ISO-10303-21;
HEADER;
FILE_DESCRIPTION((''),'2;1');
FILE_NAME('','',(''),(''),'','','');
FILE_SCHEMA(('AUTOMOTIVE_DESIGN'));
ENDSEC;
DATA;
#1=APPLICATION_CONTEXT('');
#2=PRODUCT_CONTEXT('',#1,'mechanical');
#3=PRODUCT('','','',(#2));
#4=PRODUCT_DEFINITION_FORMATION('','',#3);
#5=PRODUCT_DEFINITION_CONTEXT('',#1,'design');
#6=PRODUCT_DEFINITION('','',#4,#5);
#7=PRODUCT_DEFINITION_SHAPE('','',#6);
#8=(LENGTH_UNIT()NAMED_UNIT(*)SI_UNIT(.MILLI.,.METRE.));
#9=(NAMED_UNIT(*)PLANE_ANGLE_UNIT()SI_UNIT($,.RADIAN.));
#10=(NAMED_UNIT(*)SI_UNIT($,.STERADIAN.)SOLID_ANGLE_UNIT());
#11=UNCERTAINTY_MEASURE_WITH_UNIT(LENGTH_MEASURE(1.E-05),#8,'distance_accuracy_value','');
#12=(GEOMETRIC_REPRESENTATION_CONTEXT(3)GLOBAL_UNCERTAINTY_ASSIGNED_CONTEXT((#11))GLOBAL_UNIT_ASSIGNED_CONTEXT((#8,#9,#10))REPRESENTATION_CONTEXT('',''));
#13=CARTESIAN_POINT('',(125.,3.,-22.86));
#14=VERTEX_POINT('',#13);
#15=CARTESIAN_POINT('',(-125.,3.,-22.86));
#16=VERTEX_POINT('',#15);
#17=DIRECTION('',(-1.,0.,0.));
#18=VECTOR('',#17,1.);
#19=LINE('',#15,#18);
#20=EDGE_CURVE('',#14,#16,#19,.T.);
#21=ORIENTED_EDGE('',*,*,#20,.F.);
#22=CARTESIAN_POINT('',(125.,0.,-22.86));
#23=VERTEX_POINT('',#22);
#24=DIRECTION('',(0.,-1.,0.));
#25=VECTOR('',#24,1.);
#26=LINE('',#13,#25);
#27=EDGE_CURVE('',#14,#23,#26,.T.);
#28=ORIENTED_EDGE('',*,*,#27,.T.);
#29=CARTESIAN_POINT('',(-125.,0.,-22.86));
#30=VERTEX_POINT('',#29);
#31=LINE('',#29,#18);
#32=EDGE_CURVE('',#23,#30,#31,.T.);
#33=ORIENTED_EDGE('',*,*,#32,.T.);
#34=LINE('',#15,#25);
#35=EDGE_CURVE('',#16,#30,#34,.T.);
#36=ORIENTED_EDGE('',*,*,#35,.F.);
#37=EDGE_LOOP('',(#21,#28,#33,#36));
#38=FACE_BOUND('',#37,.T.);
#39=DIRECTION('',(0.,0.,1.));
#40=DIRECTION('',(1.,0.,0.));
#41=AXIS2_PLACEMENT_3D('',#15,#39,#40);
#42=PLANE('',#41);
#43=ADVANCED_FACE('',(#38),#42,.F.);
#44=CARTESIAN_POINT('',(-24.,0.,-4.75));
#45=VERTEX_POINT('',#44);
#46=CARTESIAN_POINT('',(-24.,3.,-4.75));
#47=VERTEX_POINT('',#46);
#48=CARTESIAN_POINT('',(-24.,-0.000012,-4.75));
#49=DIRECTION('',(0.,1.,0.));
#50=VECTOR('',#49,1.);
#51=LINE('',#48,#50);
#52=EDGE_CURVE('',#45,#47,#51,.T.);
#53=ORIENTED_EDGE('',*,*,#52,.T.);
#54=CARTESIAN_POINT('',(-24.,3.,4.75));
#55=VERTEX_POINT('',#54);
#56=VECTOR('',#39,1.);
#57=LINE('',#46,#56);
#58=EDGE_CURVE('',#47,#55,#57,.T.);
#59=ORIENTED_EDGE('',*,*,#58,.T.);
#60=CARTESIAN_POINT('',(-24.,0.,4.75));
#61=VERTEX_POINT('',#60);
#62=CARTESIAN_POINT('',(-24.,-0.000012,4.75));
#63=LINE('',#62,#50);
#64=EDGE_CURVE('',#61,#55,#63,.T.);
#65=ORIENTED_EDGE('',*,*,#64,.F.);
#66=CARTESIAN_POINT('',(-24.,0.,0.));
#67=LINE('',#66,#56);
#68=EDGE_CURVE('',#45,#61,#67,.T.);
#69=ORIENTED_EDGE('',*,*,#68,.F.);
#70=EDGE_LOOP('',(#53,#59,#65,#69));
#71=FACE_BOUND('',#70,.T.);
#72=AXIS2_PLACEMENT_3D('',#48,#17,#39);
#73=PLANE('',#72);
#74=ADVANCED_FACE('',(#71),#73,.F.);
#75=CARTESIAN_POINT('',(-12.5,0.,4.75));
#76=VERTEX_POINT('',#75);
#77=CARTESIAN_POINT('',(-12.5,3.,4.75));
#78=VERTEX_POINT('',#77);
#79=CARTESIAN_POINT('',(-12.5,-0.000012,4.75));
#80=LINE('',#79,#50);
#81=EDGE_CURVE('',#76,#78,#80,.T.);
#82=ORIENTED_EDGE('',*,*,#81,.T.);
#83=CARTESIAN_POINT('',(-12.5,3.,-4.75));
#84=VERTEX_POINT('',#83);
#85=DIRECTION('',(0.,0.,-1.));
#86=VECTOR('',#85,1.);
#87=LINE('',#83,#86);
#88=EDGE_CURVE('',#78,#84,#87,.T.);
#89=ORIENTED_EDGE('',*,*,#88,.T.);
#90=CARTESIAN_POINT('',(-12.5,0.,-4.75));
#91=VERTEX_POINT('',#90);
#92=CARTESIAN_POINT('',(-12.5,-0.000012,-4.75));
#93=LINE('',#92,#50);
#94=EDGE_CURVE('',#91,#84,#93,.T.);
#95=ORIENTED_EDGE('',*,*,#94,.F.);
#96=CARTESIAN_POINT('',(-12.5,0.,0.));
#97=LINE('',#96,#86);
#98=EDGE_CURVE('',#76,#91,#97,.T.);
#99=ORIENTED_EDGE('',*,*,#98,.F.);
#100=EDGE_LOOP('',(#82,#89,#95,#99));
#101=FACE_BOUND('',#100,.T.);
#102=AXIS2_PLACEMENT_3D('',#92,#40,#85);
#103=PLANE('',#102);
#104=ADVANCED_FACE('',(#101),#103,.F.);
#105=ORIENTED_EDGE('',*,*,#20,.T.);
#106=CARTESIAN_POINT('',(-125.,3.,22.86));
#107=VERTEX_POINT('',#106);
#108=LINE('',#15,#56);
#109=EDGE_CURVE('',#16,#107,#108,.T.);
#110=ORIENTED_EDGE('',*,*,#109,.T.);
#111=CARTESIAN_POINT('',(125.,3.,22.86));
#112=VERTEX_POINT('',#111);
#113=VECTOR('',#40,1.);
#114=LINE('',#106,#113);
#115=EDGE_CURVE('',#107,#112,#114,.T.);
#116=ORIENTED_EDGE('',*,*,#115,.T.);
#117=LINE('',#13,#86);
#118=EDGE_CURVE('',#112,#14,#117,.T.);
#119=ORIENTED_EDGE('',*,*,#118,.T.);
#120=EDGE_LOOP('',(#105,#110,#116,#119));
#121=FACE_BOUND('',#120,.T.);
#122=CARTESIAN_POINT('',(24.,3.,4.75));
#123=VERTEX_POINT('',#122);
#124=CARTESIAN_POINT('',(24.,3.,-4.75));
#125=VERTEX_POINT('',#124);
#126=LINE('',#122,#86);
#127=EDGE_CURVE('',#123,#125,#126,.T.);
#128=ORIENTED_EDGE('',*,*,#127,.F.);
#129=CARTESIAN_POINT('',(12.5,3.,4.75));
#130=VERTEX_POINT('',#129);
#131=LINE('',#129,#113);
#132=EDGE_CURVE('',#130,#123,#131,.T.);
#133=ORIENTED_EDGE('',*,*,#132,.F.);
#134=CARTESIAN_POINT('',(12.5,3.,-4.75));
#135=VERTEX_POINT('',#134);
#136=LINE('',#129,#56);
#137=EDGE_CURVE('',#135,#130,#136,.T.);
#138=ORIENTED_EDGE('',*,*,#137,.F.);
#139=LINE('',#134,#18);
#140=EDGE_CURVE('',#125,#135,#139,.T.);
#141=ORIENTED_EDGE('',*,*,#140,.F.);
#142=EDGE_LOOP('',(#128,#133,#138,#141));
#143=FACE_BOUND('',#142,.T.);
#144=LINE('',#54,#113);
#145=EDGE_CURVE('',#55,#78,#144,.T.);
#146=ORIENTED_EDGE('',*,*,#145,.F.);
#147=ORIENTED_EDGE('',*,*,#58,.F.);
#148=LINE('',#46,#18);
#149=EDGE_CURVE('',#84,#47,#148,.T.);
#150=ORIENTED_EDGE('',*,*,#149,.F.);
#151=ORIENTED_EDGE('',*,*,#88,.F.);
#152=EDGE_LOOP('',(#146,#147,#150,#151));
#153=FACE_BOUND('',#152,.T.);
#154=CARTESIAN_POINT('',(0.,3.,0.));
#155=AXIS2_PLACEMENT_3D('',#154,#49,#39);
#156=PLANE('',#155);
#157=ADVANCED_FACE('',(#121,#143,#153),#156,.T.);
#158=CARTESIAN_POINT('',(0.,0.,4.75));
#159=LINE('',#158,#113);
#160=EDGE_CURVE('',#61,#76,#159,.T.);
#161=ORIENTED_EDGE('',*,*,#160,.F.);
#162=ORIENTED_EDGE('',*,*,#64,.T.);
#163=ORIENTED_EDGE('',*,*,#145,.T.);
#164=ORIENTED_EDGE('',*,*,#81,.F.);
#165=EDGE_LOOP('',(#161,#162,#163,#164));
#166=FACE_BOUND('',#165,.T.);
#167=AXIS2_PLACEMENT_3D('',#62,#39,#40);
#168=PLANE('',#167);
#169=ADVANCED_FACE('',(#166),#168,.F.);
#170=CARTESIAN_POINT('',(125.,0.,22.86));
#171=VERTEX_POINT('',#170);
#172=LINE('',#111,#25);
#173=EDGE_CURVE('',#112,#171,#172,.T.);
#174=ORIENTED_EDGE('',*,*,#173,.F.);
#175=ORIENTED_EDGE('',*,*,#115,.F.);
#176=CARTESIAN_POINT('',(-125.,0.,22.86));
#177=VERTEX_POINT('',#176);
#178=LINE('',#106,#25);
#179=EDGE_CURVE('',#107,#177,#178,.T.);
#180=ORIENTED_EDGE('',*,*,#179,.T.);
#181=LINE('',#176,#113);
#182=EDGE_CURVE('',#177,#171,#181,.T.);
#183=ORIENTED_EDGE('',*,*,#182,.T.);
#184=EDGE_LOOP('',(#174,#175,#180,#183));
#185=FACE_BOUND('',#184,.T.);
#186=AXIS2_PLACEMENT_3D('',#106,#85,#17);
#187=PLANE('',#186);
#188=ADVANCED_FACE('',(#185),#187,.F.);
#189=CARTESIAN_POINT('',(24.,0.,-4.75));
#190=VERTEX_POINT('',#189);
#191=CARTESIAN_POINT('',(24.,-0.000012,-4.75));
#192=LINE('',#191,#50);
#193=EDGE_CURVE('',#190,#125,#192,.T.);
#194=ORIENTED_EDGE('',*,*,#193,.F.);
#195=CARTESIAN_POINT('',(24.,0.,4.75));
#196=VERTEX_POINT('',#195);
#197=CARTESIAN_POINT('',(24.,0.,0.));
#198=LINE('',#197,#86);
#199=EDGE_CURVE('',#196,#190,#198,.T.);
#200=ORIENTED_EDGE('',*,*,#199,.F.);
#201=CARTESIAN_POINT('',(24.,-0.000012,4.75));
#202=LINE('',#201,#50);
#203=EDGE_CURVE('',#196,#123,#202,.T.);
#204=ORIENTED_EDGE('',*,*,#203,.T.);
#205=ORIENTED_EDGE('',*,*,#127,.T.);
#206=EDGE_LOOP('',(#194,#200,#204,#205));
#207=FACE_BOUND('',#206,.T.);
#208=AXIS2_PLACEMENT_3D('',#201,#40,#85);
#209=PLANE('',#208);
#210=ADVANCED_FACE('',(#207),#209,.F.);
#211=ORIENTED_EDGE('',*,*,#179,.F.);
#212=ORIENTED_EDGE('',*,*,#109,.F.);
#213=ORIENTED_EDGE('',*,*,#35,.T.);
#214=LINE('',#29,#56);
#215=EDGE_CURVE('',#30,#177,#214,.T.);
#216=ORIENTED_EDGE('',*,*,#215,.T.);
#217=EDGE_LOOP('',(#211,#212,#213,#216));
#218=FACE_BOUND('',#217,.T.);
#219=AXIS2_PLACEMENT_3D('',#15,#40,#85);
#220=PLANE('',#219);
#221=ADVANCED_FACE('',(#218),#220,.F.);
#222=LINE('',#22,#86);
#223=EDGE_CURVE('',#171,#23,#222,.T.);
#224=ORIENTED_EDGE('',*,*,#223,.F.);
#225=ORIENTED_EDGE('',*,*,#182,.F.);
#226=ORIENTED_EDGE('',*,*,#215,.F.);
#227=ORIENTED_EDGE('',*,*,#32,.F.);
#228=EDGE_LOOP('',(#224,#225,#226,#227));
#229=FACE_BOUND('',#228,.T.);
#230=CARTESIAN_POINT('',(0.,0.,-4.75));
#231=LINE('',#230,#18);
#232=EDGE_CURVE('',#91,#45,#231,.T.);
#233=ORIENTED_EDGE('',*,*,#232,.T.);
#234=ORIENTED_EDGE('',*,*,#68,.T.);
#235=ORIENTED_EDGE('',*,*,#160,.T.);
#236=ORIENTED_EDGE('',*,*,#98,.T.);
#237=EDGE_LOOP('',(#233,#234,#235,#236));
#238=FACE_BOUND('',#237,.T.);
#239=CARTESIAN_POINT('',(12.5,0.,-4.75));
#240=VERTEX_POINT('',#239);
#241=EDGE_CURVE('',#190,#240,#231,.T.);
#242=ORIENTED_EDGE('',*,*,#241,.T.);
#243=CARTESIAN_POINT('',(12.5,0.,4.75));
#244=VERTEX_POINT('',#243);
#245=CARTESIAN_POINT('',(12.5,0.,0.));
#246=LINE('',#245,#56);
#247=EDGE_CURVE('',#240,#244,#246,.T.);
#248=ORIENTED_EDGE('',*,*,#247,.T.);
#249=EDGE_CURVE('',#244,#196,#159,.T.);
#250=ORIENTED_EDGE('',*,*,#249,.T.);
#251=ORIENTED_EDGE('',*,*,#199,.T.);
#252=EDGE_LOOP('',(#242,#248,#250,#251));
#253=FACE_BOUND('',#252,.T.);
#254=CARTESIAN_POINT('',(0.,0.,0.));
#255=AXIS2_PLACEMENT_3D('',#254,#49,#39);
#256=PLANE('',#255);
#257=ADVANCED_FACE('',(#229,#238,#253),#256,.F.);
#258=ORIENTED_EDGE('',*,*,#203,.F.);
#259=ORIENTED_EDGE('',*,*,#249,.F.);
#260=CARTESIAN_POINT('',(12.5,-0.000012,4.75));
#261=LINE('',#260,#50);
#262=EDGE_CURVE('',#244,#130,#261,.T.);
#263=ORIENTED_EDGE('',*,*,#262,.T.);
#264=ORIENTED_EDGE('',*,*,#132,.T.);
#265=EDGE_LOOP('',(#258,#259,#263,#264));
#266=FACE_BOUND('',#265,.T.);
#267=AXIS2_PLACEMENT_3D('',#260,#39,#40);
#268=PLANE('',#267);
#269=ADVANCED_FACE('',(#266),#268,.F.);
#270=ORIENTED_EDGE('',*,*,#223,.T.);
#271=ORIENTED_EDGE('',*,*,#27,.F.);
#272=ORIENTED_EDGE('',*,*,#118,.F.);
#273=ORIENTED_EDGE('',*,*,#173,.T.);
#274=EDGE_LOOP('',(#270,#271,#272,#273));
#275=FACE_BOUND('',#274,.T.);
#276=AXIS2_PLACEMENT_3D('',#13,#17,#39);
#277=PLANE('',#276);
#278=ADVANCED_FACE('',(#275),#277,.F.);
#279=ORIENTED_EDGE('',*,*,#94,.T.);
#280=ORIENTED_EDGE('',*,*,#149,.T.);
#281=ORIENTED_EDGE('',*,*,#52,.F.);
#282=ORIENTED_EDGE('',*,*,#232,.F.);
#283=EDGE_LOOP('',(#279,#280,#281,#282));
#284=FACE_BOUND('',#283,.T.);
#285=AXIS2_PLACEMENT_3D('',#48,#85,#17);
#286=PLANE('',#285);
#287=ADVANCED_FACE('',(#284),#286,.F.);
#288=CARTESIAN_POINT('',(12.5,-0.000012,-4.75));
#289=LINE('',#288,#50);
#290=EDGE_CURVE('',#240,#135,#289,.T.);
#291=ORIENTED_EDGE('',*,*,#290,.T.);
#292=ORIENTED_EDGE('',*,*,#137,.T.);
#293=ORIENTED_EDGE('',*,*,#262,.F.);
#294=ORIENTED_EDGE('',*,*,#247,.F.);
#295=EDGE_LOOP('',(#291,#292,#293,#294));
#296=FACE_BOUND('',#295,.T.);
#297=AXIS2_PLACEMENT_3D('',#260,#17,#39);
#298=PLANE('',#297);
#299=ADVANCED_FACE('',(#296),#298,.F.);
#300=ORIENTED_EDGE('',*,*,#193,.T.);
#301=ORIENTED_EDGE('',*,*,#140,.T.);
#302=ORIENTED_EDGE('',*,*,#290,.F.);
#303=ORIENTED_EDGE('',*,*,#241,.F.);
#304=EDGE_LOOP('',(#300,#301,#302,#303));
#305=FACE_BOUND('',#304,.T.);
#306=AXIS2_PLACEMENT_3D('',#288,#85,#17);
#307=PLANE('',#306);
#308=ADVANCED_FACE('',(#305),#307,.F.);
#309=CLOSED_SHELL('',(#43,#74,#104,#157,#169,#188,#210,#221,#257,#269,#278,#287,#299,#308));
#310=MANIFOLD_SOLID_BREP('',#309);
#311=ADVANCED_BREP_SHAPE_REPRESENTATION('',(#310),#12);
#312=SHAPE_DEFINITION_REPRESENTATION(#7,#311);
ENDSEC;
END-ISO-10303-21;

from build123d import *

# Parameters (mm, degrees)
SKETCH1_W               = 250
SKETCH1_H               = 45.72
BOSS_EXTRUDE1_DEPTH     = 3
CUT_EXTRUDE2_DEPTH      = 128.108534725
CUT_EXTRUDE2_DEPTH_BACK = 128.108534725
SKETCH2_W               = 11.500000066
SKETCH2_H               = 9.500000002
SKETCH2_H_2             = 9.50000005


with BuildPart() as part:
    # Sketch1 → Boss-Extrude1 (new body)
    with BuildSketch(Plane(origin=(0, 0, 0), x_dir=(1, 0, 0), z_dir=(0, 1, 0))):
        Rectangle(SKETCH1_W, SKETCH1_H)
    extrude(amount=BOSS_EXTRUDE1_DEPTH)

    # Sketch2 → Cut-Extrude2 (cut, two sides: drawn at the far end of the back side and taken through both)
    with BuildSketch(Plane(origin=(0, 0, 0), x_dir=(1, 0, 0), z_dir=(0, 1, 0)).offset(-CUT_EXTRUDE2_DEPTH_BACK)):
        with Locations((-18.250000033, 0)):
            Rectangle(SKETCH2_W, SKETCH2_H)
        with Locations((18.250000033, 0)):
            Rectangle(SKETCH2_W, SKETCH2_H_2)
    extrude(amount=CUT_EXTRUDE2_DEPTH + CUT_EXTRUDE2_DEPTH_BACK, mode=Mode.SUBTRACT)


solid = part.part
